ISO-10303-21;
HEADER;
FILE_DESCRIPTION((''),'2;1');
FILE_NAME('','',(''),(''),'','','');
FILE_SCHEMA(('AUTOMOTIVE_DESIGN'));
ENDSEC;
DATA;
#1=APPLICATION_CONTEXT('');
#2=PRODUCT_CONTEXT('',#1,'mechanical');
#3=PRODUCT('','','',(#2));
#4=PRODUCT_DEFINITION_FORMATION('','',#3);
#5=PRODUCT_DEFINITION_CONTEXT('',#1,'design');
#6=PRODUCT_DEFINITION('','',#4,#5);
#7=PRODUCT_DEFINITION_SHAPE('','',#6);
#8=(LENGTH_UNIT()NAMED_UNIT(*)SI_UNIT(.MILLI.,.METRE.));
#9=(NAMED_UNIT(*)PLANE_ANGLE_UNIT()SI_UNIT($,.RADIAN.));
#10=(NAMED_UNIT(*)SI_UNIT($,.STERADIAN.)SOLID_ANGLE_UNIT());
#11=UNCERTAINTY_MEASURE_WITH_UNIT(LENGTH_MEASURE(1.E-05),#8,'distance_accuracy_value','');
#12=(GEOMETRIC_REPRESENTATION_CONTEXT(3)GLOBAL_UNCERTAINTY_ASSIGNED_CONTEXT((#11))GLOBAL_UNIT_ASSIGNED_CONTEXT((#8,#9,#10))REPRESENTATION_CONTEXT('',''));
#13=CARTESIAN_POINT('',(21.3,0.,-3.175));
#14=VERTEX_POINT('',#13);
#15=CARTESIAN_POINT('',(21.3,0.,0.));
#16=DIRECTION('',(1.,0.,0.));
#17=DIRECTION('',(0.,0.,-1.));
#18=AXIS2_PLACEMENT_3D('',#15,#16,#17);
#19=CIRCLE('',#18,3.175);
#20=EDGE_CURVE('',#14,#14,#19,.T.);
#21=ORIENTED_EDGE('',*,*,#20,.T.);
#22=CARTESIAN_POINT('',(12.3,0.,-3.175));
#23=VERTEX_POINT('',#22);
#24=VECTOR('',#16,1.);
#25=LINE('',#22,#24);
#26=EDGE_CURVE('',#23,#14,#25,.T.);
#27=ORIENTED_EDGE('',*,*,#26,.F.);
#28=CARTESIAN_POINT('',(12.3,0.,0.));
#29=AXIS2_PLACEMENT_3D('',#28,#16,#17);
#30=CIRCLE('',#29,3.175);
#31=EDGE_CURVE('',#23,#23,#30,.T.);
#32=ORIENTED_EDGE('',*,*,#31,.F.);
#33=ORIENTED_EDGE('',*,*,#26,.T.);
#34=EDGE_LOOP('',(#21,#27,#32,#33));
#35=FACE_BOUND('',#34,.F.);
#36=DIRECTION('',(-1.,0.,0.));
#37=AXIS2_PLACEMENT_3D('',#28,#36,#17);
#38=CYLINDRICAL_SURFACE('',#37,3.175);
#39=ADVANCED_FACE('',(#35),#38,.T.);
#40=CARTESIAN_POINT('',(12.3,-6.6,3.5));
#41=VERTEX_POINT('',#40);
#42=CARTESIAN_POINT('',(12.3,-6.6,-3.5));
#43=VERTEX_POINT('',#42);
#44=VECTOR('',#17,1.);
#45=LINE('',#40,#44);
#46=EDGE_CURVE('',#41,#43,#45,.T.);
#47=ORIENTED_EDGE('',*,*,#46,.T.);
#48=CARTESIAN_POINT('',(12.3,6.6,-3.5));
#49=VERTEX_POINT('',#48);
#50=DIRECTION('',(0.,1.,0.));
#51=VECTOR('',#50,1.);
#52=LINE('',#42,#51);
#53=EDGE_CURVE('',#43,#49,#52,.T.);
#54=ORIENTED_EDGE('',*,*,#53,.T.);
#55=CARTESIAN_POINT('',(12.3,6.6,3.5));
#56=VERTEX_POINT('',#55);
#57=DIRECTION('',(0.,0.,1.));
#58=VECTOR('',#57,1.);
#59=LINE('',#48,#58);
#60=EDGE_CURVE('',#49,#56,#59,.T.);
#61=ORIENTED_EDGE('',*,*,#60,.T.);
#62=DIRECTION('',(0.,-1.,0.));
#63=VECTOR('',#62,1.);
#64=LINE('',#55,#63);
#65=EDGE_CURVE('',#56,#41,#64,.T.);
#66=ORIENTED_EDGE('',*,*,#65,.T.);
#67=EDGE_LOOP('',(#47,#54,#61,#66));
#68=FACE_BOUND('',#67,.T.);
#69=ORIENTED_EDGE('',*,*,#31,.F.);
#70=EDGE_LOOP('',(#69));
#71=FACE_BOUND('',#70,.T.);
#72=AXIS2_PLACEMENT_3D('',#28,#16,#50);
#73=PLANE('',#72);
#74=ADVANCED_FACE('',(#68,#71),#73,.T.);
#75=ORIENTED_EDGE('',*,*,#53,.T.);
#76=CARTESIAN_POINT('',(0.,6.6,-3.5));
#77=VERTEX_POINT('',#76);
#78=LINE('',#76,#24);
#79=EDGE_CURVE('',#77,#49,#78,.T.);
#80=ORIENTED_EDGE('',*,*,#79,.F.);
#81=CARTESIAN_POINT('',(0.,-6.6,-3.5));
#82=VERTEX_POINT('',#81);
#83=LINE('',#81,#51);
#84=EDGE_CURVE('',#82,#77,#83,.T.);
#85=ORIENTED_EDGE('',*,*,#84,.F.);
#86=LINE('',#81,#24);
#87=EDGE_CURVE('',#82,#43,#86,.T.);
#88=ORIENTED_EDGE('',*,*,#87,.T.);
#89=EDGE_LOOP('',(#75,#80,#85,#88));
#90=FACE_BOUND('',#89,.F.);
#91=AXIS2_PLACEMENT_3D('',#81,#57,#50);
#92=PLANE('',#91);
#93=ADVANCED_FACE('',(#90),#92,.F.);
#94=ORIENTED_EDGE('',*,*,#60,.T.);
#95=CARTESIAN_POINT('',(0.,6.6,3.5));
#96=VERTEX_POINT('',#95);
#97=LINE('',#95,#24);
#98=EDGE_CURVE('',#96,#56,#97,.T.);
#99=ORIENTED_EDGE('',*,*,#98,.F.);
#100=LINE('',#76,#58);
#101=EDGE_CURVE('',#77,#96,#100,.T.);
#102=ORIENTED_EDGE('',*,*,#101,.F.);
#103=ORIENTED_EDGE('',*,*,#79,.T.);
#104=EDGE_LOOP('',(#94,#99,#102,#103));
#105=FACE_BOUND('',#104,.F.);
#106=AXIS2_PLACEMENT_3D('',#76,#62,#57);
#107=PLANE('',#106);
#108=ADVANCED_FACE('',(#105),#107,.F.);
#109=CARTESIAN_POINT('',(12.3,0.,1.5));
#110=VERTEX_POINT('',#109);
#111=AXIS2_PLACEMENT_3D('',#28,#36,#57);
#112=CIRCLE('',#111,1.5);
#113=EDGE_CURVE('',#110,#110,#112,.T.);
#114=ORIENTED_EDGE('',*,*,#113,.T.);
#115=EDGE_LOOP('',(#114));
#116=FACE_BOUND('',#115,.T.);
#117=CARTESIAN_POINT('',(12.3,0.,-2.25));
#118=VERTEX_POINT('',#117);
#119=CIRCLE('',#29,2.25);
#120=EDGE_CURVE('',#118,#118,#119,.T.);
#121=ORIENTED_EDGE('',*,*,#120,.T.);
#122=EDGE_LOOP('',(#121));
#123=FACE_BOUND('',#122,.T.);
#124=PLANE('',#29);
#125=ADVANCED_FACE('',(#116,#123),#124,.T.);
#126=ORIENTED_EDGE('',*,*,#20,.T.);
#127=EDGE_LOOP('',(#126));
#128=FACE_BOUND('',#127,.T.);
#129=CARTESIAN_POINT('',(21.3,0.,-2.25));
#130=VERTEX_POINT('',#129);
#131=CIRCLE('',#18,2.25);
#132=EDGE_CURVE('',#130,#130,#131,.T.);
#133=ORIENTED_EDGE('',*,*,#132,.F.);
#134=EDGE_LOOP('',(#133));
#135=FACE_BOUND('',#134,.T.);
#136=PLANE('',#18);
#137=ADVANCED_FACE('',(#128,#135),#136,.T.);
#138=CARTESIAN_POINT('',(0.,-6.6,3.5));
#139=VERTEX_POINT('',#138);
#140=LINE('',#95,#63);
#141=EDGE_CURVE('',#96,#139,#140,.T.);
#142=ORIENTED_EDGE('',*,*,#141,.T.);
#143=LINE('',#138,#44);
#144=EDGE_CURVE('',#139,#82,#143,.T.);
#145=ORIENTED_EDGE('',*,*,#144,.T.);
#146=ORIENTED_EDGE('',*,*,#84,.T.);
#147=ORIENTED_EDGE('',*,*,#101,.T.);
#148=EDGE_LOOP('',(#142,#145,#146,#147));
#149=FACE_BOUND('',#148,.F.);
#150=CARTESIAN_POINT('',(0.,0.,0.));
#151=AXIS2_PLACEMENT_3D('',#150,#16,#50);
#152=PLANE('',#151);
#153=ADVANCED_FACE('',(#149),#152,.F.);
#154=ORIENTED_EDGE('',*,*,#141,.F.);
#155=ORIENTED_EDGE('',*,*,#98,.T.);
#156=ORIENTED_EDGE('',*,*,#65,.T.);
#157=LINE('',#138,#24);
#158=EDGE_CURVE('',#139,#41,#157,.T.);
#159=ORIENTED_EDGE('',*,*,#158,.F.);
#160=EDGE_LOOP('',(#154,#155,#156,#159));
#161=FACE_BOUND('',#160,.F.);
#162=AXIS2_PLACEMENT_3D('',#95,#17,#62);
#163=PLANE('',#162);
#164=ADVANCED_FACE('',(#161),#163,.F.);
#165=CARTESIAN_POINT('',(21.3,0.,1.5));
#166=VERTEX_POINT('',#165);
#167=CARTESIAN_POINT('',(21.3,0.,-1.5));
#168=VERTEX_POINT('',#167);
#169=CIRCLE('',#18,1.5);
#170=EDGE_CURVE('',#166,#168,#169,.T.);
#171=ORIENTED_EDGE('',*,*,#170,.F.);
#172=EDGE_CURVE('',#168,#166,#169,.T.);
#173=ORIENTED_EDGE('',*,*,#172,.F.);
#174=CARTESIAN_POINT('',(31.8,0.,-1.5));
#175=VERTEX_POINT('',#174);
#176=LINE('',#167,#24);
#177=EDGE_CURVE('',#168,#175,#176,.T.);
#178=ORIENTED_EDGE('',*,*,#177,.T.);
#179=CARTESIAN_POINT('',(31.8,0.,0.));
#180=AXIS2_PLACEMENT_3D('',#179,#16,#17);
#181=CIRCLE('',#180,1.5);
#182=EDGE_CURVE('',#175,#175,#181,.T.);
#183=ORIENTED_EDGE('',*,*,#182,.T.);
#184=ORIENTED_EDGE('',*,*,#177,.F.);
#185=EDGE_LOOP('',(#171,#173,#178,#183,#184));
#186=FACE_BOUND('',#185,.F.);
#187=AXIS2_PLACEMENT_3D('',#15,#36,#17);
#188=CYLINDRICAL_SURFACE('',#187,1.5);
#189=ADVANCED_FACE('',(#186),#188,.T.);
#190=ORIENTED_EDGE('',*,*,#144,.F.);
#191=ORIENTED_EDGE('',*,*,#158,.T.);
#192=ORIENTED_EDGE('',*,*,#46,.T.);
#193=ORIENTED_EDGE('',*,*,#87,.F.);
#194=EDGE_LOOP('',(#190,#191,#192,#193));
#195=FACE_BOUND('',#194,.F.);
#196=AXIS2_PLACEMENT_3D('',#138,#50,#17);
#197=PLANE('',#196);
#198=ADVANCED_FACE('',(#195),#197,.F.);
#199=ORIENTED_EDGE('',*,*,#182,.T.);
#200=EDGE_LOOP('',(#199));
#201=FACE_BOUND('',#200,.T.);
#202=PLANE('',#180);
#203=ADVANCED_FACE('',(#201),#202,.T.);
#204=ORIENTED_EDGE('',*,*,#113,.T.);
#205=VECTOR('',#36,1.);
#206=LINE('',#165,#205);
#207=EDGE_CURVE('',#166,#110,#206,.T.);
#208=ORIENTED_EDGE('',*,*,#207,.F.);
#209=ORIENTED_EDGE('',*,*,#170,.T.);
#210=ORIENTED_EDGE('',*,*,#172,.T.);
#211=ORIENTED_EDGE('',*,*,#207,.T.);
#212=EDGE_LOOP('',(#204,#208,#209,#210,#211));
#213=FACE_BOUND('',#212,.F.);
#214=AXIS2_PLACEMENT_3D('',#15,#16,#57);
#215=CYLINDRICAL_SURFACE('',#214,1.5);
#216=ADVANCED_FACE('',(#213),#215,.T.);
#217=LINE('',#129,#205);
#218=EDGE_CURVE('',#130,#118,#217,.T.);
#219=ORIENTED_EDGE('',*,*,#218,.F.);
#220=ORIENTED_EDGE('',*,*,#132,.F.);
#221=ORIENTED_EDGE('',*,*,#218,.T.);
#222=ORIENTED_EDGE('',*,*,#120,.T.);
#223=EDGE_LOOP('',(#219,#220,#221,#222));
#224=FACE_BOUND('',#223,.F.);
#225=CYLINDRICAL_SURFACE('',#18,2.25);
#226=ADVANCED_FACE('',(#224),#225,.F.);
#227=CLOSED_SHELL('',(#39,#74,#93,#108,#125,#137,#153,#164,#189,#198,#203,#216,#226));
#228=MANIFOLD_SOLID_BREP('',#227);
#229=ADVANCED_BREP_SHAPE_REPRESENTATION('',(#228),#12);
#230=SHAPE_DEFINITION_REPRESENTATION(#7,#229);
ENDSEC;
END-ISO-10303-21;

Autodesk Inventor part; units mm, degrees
ref_plane "YZ Plane" through (0, 0, 0) normal (1, 0, 0) x (0, 1, 0)
ref_plane "XZ Plane" through (0, 0, 0) normal (0, 1, 0) x (-1, 0, 0)
ref_plane "XY Plane" through (0, 0, 0) normal (0, 0, 1) x (1, 0, 0)
sketch "Sketch1" plane through (0, 0, 0) normal (1, 0, 0) x (0, 1, 0)
  line L0 (6.6, 3.5) -> (-6.6, 3.5)
  line L1 (-6.6, 3.5) -> (-6.6, -3.5)
  line L2 (-6.6, -3.5) -> (6.6, -3.5)
  line L3 (6.6, -3.5) -> (6.6, 3.5)
  line L4 (6.6, 3.5) -> (-6.6, -3.5) construction
  line L5 (-6.6, 3.5) -> (6.6, -3.5) construction
  point P0 (0, 0)
  dimension "d0" = 13.2
  dimension "d1" = 7
extrude "Extrusion1" add sketch "Sketch1" along normal blind 12.3
sketch "Sketch2" plane through (12.3, 0, 0) normal (1, 0, 0) x (0, 0, -1)
  circle A0 centre (0, 0) radius 3.175
  dimension "d4" = 6.35
extrude "Extrusion2" add sketch "Sketch2" along normal blind 9
sketch "Sketch3" plane through (21.3, 0, 0) normal (1, 0, 0) x (0, 0, -1)
  circle A0 centre (0, 0) radius 2.25
  dimension "d7" = 4.5
extrude "Extrusion3" cut sketch "Sketch3" against normal blind 9
sketch "Sketch4" plane through (21.3, 0, 0) normal (1, 0, 0) x (0, 0, -1)
  circle A0 centre (0, 0) radius 1.5
  dimension "d10" = 3
extrude "Extrusion4" add sketch "Sketch4" along normal blind 10.5
sketch "Sketch5" plane through (21.3, 0, 0) normal (-1, 0, 0) x (0, 0, 1)
  circle A0 centre (0, 0) radius 1.5 projected
extrude "Extrusion5" add sketch "Sketch5" along normal up to surface (9 mm away)
thread "Thread1" size "1/4-40 UNS" class "2A" standard "ANSI Unified Screw Threads" length 15.103
properties part number "APEM_5236CDB" material "Stainless Steel"
